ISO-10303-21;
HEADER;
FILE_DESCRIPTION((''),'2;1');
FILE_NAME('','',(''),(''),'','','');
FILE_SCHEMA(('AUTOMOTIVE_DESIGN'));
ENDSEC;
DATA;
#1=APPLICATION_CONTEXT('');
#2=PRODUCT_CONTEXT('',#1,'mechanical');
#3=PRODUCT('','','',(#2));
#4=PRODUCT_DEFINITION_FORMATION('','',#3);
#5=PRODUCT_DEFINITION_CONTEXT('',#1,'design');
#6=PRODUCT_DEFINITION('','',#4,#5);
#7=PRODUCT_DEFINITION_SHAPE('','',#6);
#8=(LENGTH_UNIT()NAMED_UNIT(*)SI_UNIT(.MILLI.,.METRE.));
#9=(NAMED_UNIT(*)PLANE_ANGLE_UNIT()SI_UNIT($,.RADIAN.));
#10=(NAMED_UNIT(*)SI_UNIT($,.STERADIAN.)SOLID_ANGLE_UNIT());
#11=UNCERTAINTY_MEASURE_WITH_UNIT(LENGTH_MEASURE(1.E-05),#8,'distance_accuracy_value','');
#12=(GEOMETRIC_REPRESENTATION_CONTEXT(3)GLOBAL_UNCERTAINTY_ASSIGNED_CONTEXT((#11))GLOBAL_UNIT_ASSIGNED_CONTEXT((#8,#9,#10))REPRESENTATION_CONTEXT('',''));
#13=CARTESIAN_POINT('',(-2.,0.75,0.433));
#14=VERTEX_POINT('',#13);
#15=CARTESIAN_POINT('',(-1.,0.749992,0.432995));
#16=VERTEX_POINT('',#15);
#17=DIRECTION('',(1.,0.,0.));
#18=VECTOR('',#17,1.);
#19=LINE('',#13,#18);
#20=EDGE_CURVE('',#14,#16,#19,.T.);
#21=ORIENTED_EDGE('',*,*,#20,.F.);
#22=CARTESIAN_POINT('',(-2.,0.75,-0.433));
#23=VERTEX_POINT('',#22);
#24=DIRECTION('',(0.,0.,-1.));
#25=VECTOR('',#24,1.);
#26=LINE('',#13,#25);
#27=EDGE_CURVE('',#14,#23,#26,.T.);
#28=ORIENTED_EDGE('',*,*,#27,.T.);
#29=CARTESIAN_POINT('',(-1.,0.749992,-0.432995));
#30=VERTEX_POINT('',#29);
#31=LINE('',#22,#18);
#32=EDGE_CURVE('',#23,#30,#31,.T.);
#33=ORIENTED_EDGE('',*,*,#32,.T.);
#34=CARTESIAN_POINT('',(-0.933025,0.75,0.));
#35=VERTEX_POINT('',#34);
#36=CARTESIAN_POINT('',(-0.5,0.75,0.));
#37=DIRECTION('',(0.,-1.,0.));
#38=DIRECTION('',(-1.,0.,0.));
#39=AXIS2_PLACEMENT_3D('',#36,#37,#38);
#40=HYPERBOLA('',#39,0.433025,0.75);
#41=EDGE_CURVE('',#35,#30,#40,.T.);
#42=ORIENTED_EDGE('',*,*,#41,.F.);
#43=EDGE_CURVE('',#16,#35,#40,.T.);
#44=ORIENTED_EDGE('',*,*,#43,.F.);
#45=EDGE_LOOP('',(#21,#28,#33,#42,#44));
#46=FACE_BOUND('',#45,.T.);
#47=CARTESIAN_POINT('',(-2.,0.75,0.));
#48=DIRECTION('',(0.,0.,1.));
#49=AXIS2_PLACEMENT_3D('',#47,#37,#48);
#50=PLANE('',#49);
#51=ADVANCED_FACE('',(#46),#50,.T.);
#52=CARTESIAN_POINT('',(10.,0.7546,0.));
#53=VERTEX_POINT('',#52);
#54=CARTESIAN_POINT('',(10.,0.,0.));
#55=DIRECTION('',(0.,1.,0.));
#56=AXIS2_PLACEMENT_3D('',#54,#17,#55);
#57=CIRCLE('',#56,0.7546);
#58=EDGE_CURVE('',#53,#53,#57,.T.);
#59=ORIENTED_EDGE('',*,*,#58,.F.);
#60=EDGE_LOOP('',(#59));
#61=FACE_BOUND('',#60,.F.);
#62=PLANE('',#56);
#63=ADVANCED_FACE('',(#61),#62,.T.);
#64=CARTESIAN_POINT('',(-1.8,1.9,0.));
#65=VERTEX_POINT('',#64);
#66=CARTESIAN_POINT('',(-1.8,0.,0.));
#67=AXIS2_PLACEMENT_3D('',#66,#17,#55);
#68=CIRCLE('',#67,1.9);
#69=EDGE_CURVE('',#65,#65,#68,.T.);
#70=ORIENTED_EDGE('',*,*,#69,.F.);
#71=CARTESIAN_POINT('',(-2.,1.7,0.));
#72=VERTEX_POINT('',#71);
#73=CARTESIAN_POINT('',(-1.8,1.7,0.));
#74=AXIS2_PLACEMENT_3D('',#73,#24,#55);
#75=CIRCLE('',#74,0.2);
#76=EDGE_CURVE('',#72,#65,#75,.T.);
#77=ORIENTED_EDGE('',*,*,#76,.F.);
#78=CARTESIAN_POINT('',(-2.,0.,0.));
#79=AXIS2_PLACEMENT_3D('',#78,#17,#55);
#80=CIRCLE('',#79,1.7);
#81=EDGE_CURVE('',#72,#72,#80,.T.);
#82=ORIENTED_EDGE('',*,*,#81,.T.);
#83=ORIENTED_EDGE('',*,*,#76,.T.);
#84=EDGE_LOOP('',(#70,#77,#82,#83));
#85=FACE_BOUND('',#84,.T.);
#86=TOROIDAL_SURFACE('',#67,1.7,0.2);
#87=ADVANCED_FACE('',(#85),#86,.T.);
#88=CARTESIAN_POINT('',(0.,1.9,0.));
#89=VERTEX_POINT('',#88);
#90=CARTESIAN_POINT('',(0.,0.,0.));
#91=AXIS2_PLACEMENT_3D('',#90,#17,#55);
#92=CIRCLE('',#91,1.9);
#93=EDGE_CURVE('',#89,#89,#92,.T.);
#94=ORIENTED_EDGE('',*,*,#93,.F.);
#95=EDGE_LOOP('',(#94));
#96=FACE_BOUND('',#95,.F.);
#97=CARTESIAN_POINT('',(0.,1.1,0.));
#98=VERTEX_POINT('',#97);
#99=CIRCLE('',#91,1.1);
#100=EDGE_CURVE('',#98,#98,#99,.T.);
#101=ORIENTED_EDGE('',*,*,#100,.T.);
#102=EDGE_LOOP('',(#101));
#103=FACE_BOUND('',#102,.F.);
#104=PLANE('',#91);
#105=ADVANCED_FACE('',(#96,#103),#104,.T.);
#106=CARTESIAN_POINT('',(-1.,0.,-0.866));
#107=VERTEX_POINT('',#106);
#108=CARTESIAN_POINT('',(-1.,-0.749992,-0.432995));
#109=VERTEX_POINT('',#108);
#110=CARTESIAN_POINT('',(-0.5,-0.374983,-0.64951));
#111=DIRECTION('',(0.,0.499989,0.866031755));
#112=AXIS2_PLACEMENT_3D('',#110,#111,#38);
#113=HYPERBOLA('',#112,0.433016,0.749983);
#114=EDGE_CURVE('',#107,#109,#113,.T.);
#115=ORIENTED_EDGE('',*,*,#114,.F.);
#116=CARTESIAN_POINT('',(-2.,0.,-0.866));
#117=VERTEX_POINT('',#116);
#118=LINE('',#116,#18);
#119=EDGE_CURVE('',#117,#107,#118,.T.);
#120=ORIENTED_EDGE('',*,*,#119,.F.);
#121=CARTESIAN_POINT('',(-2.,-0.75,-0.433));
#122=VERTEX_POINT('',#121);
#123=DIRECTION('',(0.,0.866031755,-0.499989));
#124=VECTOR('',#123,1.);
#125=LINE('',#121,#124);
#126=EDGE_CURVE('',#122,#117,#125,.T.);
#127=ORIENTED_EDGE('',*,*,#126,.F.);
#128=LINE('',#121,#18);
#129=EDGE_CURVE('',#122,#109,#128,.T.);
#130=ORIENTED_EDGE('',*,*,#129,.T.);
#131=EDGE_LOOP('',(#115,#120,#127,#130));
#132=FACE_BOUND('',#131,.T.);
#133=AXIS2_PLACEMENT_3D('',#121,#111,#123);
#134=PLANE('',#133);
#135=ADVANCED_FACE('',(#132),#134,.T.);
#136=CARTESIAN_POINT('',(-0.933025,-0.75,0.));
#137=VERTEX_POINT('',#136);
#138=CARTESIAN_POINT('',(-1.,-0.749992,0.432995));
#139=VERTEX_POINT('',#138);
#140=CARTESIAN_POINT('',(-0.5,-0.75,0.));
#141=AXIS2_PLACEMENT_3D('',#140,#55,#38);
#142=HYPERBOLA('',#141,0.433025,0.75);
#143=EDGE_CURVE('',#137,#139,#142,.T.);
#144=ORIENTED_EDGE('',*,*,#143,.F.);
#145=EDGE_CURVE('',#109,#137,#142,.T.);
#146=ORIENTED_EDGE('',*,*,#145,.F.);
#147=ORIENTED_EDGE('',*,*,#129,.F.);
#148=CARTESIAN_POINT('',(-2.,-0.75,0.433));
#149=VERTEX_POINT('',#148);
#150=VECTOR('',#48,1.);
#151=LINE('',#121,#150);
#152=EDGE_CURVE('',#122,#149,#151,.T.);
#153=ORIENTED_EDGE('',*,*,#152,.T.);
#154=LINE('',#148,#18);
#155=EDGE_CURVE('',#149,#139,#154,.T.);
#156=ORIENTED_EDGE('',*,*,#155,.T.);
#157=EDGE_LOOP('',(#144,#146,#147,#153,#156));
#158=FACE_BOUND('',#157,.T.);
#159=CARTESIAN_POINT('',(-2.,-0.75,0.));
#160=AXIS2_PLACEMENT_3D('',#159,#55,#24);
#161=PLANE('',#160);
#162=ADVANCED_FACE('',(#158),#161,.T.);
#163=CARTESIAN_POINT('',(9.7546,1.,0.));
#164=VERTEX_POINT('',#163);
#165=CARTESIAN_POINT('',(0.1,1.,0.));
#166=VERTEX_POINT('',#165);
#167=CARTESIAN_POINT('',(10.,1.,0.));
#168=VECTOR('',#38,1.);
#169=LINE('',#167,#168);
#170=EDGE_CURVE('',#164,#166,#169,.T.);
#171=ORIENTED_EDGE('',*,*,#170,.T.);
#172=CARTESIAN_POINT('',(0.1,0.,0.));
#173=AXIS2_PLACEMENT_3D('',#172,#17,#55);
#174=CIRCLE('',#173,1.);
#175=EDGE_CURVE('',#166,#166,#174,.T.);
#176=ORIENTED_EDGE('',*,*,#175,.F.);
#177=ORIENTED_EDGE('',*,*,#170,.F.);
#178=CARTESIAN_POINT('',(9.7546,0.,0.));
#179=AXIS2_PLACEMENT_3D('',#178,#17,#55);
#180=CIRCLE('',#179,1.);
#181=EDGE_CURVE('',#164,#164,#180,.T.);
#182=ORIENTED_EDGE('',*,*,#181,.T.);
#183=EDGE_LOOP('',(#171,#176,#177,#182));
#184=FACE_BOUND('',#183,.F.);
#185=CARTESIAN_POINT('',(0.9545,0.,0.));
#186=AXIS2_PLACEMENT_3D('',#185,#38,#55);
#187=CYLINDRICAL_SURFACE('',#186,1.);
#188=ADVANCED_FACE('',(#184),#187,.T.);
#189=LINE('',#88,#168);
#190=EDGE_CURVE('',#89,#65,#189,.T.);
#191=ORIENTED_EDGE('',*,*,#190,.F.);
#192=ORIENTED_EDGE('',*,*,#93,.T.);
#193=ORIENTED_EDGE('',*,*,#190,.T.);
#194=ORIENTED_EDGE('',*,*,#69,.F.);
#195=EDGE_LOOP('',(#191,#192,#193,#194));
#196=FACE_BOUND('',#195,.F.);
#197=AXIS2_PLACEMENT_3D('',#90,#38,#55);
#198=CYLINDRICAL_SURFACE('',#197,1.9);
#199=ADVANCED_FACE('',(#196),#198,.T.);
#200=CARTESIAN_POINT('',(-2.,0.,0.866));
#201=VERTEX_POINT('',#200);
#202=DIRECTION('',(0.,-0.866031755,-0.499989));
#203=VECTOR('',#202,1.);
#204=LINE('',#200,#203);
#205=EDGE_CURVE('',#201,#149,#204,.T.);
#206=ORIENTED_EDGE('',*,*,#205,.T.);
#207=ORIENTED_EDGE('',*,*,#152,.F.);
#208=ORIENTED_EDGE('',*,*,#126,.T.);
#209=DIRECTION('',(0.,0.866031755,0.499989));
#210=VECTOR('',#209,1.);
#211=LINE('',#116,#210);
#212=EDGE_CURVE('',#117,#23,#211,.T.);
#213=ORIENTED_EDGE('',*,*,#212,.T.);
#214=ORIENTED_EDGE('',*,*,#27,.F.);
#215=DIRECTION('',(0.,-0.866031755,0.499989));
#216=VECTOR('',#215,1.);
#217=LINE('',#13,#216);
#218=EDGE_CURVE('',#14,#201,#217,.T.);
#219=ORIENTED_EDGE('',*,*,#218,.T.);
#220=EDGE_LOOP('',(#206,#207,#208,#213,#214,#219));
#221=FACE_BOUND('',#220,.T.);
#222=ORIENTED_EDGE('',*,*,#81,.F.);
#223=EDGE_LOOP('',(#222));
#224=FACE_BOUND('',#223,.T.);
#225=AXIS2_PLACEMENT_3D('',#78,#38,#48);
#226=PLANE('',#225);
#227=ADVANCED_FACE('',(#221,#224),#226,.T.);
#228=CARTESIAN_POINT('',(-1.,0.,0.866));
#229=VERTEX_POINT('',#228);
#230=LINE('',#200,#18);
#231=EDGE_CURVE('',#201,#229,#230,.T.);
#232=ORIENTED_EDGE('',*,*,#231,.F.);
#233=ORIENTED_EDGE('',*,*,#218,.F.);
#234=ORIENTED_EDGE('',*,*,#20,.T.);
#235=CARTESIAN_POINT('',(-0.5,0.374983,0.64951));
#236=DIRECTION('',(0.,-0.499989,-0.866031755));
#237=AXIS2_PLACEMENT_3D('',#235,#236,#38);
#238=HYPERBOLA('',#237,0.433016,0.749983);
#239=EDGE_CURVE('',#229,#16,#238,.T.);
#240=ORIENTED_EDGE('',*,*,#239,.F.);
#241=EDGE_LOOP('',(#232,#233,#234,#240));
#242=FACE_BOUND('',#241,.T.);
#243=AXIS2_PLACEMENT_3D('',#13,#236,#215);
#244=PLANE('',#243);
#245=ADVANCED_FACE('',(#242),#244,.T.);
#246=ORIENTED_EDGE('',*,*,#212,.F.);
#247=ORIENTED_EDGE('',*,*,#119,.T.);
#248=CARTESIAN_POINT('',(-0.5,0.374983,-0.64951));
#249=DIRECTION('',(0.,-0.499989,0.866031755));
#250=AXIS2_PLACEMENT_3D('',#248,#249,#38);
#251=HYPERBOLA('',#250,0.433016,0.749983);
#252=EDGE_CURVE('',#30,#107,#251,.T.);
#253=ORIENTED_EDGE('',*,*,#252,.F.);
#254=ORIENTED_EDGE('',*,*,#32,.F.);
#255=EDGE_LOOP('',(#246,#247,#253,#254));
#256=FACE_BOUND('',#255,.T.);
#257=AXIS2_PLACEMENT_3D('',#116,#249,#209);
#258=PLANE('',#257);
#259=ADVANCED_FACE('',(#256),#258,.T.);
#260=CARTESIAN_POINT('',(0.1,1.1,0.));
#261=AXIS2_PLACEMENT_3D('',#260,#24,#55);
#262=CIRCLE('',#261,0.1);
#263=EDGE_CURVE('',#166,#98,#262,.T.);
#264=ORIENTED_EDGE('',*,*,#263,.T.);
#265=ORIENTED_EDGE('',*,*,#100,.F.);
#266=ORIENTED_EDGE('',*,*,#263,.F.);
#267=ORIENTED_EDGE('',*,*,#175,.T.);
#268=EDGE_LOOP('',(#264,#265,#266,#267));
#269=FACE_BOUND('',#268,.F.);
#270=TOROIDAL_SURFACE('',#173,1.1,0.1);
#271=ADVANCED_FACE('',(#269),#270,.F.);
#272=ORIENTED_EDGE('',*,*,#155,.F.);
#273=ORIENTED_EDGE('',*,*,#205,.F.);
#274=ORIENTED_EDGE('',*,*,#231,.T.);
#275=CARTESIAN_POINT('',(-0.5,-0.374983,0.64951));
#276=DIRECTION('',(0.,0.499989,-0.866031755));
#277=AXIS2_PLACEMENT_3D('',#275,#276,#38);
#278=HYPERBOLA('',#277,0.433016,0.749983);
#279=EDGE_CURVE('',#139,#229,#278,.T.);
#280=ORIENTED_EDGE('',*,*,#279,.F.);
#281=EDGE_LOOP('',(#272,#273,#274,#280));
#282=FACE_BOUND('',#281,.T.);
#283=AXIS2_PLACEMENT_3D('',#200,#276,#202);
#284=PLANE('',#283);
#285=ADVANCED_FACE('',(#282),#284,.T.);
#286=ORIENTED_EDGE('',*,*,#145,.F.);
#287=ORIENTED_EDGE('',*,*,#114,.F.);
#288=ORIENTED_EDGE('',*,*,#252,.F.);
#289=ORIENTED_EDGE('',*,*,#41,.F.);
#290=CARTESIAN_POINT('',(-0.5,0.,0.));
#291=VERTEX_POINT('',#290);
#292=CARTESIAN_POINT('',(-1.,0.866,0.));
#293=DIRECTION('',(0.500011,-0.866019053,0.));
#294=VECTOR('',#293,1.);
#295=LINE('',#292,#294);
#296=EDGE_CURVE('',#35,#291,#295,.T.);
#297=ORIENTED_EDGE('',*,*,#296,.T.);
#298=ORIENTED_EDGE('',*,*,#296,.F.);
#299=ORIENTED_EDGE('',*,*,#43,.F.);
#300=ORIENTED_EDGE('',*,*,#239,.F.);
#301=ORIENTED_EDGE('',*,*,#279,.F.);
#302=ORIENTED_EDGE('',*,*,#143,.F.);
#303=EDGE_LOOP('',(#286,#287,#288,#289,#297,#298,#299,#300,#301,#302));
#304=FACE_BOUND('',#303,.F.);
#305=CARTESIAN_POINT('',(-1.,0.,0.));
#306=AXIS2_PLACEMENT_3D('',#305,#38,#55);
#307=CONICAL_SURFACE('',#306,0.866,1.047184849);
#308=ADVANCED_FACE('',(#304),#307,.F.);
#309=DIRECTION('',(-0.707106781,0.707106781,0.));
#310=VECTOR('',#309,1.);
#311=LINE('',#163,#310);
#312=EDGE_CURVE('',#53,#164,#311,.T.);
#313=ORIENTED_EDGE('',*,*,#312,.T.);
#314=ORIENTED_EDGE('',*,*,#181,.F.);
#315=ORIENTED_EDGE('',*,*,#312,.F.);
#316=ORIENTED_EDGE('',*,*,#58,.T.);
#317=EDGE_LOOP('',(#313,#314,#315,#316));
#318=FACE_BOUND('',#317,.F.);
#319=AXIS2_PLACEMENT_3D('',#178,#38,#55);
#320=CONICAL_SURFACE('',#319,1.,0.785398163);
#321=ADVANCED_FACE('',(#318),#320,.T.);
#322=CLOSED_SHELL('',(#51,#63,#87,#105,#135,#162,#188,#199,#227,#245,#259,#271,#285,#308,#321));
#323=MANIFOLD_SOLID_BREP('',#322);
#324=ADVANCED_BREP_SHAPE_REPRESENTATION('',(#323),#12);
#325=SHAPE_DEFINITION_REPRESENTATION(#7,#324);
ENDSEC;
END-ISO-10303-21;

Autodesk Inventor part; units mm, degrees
ref_plane "YZ Plane" through (0, 0, 0) normal (1, 0, 0) x (0, 1, 0)
ref_plane "XZ Plane" through (0, 0, 0) normal (0, 1, 0) x (-1, 0, 0)
sketch "Skizze1" plane through (0, 0, 0) normal (0, 0, 1) x (1, 0, 0)
  line L0 (-0.5, 0) -> (10, 0)
  line L1 (10, 0) -> (10, 1)
  line L2 (10, 1) -> (1.2, 1)
  line L3 (1.2, 1) -> (0.9545, 1)
  line L4 (0.9545, 1) -> (0, 1)
  line L5 (0, 1) -> (0, 1.9)
  line L6 (0, 1.9) -> (-2, 1.9)
  line L7 (-2, 1.9) -> (-2, 0.866)
  line L8 (-2, 0.866) -> (-1, 0.866)
  line L9 (-1, 0.866) -> (-0.5, 0)
  line L10 (-4.4, 0) -> (12.4, 0) projected
  line L11 (0, -0.38) -> (0, 2.28) projected
  line L12 (1.2, 1) -> (0, 1) construction
  dimension "d1" = 8.8
  dimension "d2" = 0.2455
  dimension "d3" = 2
  dimension "d4" = 1
  dimension "d5" = 60
  dimension "d6" = 2
  dimension "d7" = 2
  dimension "d8" = 1.7321
  dimension "d9" = 3.8
  dimension "d26" = 10
revolve "Körper" add sketch "Skizze1" angle 360 about axis through (-0.5, 0, 0) along (1, 0, 0)
sketch "Skizze2" plane through (-2, 0, 0) normal (-1, 0, 0) x (0, 0, 1)
  circle A0 centre (0, 0) radius 0.866 projected
  line L0 (0, -2.66) -> (0, 2.66) projected
  line L1 (-2.66, 0) -> (2.66, 0) projected
  line L2 (0.866, 0) -> (0.433, -0.75)
  line L3 (0.433, -0.75) -> (-0.433, -0.75)
  line L4 (-0.433, -0.75) -> (-0.866, 0)
  line L5 (-0.866, 0) -> (-0.433, 0.75)
  line L6 (-0.433, 0.75) -> (0.433, 0.75)
  line L7 (0.433, 0.75) -> (0.866, 0)
  point P0 (0, 0)
extrude "Loch" add sketch "Skizze2" against normal up to next contours L7 A0 | A0 L2 | L6 L0 A0 | A0 L0 L3 | L0 L6 A0 | A0 L3 L0 | L4 A0 | A0 L5
fillet "Rundung1" radius 0.2 1 edges at (-2, -1.9, 0)
thread "Gewinde" size "M2x0.4" class "6g" standard "ISO Metric profile" length 8.8
chamfer "Fase1" distance 0.2454 distance2 0.2454 1 edges at (10, -1, 0) measured on face at (10, -0.5392, -0.3309)
ref_plane "Work Plane1" through (29, 0, 0) normal (0, -1, 0) x (1, 0, 0)
fillet "Fillet2" radius 0.1 1 edges at (0, -1, 0)
equation "\"d1\" = GEL"
equation "\"d3\" = KOH"
equation "\"d4\" = INTI"
equation "\"d6\" = GD"
equation "\"d7\" = BDM"
equation "\"d8\" = 1.1547 * SW"
equation "\"d9\" = KOD"
equation "\"d26\" = NLG"
equation "\"d30\" = R"
equation "\"d17\" = RR"
equation "\"d13\" = GEL"
equation "\"d15\" = -0.5 * SPD + 0.5 * GD"
equation "\"d16\" = GUL"
equation "\"GD\" = 2"
equation "\"NLG\" = 10"
equation "\"GEL\" = 8.8"
equation "\"KOD\" = 3.8"
equation "\"KOH\" = 2"
equation "\"INTI\" = 1"
equation "\"GAL\" = 0.61345 * PTC"
equation "\"GUL\" = 0.61345 * PTC"
equation "\"BDM\" = NND"
equation "\"SW\" = 1.5"
equation "\"RR\" = 0.2"
equation "\"SPD\" = NND - 1.2269 * PTC"
equation "\"R\" = 0.1"
equation "\"TOA\" = 30deg"
equation "\"GD1\" = THREADDIA - 1.2269 * PTC"
equation "\"THREADDIA\" = 2"
equation "\"FAWI\" = 45deg"
equation "\"PTC\" = 0.4"
equation "\"NND\" = 2"
equation "\"E0\" = 1.155 * SW"
properties part number "ISO 4762  - M2 x 10" material "Edelstahl, 440C"
